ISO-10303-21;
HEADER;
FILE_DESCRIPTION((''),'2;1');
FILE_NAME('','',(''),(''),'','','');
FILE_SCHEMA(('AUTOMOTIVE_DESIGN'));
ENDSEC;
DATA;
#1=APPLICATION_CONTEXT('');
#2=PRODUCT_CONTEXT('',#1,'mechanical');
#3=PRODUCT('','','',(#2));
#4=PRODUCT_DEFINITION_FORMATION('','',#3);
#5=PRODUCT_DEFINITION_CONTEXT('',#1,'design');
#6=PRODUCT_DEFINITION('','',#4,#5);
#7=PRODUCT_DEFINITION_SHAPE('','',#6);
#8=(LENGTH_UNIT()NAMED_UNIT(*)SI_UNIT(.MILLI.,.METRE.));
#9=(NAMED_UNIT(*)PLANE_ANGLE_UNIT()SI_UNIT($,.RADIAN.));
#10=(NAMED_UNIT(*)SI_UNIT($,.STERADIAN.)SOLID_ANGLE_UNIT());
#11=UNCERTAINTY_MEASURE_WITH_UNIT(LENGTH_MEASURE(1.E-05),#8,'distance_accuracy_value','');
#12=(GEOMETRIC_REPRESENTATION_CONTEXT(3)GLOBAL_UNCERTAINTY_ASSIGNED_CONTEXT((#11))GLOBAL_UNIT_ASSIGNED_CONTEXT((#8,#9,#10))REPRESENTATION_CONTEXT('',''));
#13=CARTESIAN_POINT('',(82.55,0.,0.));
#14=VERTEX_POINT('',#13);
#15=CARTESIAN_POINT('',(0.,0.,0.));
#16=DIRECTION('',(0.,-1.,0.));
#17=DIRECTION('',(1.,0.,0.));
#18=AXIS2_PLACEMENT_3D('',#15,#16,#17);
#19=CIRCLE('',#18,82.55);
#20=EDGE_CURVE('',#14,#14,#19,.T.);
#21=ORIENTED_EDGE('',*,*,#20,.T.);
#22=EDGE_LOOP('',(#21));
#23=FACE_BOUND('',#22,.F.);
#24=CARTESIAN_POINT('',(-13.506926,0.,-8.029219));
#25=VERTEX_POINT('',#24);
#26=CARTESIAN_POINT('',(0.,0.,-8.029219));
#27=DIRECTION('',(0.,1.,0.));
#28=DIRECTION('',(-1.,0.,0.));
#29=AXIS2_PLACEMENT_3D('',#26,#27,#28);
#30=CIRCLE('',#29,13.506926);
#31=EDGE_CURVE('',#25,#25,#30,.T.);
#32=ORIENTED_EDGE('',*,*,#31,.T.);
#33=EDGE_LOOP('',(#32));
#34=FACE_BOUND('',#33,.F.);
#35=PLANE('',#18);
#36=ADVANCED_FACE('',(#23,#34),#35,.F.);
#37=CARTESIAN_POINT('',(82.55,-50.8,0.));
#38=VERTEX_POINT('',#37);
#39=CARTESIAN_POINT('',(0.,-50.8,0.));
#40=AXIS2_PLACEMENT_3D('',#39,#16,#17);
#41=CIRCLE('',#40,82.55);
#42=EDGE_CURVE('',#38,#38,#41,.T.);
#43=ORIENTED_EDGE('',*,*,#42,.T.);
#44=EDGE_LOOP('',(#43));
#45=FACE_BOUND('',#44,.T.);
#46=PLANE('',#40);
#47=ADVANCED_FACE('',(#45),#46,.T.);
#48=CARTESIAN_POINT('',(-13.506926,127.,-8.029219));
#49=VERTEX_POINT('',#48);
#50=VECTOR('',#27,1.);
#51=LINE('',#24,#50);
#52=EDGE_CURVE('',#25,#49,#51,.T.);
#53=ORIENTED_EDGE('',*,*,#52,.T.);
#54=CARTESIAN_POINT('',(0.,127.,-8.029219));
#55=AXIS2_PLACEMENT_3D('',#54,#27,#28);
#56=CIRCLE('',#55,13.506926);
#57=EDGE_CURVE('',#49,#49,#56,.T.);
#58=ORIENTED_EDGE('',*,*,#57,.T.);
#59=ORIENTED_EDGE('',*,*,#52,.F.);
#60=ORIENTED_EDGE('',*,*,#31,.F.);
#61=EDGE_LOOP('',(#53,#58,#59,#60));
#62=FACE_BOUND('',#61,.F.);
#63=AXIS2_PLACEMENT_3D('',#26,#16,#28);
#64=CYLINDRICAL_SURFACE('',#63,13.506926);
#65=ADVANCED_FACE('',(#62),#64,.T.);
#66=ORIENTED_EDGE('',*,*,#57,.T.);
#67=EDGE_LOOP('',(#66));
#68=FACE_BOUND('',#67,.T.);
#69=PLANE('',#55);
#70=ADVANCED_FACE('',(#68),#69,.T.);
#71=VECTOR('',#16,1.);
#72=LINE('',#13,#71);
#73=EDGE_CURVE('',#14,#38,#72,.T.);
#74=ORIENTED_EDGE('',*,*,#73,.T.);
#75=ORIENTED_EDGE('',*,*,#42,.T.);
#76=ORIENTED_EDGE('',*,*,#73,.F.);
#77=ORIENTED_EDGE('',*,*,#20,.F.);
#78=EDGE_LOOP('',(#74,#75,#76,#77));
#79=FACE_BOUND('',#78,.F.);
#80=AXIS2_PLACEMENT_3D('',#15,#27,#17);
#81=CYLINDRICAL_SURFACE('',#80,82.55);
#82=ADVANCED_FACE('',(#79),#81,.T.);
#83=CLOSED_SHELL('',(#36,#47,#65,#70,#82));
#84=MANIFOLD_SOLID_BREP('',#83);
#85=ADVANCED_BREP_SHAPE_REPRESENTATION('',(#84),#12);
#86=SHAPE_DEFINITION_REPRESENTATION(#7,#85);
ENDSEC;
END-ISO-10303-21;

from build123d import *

# Parameters (mm, degrees)
F0_R     = 82.55
F1_DEPTH = 50.8
F2_R     = 13.506926
F3_DEPTH = 127


with BuildPart() as f1:
    # F0 (on Front) → F1 (new body)
    with BuildSketch(Plane.XZ):
        Circle(F0_R)
    extrude(amount=F1_DEPTH)

    # F2 (on face) → F3 (join)
    with BuildSketch(Plane(origin=(0, 0, 0), x_dir=(-1, 0, 0), z_dir=(0, 1, 0))):
        with Locations((0, -8.029219)):
            Circle(F2_R)
    extrude(amount=F3_DEPTH)


solid = f1.part
